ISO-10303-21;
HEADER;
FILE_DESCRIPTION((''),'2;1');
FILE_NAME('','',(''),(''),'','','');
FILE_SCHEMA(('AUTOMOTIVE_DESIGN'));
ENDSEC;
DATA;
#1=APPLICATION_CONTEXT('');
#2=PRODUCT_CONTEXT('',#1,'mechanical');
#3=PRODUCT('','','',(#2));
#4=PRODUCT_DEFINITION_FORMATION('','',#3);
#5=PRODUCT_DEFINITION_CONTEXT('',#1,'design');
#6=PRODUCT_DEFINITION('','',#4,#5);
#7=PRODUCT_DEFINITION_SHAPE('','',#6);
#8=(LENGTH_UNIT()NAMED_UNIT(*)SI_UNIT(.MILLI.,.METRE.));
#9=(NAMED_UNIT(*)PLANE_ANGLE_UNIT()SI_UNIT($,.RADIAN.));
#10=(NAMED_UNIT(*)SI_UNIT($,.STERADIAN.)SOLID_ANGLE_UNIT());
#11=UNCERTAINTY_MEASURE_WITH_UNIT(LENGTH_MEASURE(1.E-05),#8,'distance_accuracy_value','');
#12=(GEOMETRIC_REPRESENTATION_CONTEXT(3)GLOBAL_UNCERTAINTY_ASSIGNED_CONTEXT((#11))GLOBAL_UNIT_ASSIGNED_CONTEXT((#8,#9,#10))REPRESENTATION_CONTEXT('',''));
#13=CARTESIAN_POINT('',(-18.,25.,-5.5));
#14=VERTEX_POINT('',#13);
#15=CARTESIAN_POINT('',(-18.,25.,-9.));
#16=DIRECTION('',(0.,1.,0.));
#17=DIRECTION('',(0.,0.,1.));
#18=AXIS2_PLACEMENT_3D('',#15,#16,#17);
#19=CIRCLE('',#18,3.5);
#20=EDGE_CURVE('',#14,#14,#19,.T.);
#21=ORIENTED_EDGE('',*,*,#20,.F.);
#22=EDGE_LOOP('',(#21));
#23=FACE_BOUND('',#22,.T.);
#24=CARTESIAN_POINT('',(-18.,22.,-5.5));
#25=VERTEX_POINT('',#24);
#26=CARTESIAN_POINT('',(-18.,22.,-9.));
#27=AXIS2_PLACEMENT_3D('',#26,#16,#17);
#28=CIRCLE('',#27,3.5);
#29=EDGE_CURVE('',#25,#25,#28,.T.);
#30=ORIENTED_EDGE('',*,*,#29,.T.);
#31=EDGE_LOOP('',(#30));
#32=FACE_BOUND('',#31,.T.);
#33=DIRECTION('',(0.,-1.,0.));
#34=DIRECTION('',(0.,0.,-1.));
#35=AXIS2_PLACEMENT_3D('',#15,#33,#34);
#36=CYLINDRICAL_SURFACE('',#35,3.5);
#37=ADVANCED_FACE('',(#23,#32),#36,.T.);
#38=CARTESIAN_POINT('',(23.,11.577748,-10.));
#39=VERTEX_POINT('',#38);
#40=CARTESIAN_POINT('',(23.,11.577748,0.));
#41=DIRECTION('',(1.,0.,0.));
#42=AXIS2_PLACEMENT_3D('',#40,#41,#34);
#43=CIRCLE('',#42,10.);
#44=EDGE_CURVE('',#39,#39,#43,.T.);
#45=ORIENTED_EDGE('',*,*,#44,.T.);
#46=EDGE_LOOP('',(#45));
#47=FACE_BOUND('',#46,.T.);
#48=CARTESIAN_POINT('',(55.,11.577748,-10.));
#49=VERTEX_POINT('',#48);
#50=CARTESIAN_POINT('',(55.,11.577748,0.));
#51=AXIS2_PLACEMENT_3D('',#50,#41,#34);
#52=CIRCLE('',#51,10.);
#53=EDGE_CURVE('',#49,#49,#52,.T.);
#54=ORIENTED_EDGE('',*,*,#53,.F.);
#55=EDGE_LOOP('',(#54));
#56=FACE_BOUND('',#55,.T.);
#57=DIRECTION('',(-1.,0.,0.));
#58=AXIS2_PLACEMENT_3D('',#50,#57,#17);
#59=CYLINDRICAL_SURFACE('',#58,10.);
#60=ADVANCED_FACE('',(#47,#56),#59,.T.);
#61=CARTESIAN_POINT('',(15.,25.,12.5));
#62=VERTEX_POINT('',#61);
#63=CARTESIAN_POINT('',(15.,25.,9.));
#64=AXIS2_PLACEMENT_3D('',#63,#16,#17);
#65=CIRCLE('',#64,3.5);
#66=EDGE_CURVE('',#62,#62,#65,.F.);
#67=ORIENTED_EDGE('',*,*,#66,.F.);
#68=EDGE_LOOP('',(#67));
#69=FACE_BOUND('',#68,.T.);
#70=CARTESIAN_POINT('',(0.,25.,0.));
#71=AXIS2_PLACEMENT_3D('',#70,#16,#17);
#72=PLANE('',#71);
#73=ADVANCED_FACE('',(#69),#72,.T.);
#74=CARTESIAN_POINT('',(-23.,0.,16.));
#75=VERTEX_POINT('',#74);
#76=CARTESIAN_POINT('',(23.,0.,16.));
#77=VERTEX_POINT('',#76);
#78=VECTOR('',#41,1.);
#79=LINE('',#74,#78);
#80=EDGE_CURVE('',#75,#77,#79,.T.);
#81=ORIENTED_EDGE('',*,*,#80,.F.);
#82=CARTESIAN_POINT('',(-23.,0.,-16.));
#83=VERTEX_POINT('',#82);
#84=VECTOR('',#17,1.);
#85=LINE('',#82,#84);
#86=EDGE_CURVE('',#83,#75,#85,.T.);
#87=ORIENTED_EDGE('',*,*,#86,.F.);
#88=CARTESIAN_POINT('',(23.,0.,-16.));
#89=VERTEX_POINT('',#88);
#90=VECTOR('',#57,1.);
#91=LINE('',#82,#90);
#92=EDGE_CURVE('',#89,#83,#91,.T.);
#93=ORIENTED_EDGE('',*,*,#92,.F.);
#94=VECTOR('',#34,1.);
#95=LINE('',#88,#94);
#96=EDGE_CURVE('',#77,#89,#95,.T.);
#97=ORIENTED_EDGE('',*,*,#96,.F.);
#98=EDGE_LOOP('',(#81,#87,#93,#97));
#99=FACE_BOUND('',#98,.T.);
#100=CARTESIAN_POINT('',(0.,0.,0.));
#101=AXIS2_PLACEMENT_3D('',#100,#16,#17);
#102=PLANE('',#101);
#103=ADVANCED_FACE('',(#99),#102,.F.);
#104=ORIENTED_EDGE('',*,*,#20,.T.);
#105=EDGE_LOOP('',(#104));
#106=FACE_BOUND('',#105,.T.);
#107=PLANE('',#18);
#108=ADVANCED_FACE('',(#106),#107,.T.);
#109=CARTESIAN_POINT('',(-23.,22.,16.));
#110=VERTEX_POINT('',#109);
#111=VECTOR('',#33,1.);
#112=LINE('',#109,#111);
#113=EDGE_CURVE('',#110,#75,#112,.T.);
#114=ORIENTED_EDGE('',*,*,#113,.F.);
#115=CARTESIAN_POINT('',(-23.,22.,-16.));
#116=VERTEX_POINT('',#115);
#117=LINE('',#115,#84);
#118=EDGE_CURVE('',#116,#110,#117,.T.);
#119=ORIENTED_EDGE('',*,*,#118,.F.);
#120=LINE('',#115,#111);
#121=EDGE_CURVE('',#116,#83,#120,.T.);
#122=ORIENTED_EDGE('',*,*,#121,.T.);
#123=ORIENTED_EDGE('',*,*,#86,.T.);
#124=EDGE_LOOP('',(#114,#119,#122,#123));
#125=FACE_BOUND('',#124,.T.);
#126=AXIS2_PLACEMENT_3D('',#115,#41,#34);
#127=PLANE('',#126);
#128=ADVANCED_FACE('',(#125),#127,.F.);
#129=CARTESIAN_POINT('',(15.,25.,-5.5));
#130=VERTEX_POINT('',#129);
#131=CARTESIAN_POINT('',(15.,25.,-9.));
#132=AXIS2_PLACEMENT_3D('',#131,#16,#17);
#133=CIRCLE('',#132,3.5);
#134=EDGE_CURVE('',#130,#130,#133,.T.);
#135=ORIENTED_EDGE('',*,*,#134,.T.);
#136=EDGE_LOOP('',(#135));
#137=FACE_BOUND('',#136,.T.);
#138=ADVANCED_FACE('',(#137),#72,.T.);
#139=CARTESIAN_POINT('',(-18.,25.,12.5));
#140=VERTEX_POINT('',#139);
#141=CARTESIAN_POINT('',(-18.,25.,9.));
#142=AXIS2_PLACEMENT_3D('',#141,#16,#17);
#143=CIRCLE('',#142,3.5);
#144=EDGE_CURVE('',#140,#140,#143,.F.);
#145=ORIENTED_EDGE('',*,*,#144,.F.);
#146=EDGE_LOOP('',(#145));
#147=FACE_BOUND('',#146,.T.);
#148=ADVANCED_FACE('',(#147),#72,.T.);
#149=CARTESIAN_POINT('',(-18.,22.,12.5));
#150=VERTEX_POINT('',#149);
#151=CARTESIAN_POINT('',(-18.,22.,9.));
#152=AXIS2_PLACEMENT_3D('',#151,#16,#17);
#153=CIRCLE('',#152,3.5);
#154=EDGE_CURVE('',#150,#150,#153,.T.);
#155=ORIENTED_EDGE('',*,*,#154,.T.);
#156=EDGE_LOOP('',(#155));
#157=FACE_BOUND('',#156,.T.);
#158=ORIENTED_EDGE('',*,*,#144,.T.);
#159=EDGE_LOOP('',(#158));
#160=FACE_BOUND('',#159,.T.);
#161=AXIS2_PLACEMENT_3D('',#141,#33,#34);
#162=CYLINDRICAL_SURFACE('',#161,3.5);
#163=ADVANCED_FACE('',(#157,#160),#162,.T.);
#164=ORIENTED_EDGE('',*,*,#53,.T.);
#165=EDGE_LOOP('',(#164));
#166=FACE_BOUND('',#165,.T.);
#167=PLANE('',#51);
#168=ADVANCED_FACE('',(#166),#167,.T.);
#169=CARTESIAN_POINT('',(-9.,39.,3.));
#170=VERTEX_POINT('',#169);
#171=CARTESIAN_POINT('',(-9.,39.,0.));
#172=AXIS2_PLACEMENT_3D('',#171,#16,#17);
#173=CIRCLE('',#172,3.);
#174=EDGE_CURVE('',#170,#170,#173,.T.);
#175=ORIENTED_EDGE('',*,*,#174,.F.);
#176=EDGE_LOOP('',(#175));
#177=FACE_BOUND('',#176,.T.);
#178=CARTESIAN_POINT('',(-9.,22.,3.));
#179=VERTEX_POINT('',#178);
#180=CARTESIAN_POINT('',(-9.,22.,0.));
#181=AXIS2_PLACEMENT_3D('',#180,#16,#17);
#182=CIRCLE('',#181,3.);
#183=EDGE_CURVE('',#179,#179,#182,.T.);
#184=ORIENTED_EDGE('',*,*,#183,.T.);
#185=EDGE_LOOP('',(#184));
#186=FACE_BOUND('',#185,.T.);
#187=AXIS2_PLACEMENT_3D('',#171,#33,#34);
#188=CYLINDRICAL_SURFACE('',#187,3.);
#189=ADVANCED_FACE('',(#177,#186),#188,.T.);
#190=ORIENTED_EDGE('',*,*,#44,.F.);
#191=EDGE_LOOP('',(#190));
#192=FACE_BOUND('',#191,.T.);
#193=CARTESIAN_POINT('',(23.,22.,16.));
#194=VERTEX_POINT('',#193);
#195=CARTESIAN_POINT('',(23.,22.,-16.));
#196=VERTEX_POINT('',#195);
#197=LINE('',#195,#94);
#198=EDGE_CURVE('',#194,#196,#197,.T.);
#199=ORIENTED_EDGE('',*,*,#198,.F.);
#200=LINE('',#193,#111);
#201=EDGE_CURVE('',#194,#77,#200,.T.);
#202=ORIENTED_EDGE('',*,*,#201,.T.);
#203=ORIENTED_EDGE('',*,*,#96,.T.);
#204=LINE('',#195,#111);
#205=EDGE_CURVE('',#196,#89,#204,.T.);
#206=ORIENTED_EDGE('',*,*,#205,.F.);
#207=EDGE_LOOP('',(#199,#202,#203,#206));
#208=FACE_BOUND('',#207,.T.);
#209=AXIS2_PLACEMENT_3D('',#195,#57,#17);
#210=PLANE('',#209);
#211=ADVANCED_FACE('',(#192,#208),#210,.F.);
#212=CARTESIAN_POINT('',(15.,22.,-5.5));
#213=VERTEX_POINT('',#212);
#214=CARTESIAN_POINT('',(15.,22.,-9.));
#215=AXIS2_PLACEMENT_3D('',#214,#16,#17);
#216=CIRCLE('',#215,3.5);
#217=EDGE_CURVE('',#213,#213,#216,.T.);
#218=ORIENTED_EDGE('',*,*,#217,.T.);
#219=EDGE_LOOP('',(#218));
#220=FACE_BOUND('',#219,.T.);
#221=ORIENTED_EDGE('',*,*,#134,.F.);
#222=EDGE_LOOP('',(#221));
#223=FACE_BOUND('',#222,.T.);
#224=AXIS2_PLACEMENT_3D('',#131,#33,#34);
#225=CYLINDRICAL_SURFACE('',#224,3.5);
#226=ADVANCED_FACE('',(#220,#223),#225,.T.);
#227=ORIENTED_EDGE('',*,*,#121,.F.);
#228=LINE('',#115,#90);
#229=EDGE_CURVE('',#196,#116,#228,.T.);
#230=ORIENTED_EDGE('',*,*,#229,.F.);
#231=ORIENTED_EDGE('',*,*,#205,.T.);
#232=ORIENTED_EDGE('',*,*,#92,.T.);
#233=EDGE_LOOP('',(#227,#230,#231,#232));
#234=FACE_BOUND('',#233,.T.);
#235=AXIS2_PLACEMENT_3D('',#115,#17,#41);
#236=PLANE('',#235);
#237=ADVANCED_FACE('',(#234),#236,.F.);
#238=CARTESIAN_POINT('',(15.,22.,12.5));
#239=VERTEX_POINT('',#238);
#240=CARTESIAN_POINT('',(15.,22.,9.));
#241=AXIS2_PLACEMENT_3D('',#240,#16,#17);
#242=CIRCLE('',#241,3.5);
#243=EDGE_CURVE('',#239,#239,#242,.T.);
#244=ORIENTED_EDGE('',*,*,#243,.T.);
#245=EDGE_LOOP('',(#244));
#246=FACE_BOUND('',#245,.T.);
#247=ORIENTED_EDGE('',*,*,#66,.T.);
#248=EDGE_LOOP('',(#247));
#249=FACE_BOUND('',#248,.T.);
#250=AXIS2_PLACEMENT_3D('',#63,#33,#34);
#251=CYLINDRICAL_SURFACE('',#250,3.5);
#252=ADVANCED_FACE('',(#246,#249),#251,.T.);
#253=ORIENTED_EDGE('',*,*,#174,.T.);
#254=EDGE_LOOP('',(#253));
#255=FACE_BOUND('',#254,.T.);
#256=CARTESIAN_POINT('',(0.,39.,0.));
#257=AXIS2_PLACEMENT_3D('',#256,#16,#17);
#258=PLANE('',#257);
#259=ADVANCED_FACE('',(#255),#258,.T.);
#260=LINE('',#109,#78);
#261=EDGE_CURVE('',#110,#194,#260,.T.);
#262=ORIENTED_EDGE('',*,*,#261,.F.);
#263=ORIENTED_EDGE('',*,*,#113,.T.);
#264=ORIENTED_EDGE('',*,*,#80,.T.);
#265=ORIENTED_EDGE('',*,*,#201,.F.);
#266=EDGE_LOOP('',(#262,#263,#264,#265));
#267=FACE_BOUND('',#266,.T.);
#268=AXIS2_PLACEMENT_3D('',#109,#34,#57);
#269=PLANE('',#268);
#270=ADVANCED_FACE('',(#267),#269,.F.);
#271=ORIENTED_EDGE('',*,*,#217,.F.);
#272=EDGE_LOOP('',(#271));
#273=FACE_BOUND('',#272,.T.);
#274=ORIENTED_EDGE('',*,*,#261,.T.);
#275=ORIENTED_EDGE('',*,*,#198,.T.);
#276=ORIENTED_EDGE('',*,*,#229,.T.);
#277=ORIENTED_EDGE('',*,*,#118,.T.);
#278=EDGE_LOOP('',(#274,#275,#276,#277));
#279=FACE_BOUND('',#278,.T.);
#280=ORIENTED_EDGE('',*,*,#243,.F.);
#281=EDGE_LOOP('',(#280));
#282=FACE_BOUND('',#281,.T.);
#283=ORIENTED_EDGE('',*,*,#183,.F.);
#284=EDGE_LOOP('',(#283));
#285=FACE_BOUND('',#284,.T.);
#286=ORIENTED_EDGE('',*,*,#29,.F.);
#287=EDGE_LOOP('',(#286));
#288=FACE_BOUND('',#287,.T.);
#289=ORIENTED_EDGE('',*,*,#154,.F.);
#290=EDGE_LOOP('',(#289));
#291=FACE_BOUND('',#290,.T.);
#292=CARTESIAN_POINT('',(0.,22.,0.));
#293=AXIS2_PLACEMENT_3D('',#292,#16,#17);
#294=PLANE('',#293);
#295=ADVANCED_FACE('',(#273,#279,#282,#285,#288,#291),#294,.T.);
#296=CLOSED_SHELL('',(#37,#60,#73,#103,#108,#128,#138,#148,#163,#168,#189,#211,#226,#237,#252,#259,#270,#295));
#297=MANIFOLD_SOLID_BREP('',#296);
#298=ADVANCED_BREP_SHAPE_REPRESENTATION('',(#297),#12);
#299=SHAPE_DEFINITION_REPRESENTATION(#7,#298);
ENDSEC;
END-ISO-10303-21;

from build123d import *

# Parameters (mm, degrees)
SKETCH1_W           = 46
SKETCH1_H           = 32
BOSS_EXTRUDE1_DEPTH = 22
SKETCH3_R           = 10
BOSS_EXTRUDE3_DEPTH = 32
SKETCH4_R           = 3
BOSS_EXTRUDE4_DEPTH = 17
SKETCH5_R           = 3.5
BOSS_EXTRUDE6_DEPTH = 3


with BuildPart() as part:
    # Sketch1 → Boss-Extrude1 (new body)
    with BuildSketch(Plane(origin=(0, 0, 0), x_dir=(1, 0, 0), z_dir=(0, 1, 0))):
        Rectangle(SKETCH1_W, SKETCH1_H)
    extrude(amount=BOSS_EXTRUDE1_DEPTH)

    # Sketch3 → Boss-Extrude3 (add)
    with BuildSketch(Plane(origin=(23, 0, 0), x_dir=(0, 0, -1), z_dir=(1, 0, 0))):
        with Locations((0, 11.57774751)):
            Circle(SKETCH3_R)
    extrude(amount=BOSS_EXTRUDE3_DEPTH)

    # Sketch4 → Boss-Extrude4 (add)
    with BuildSketch(Plane(origin=(0, 22, 0), x_dir=(1, 0, 0), z_dir=(0, 1, 0))):
        with Locations((-9, 0)):
            Circle(SKETCH4_R)
    extrude(amount=BOSS_EXTRUDE4_DEPTH)

    # Sketch5 → Boss-Extrude6 (add)
    with BuildSketch(Plane(origin=(0, 22, 0), x_dir=(1, 0, 0), z_dir=(0, 1, 0))):
        with Locations((-18, -9)):
            Circle(SKETCH5_R)
        with Locations((15, 9)):
            Circle(SKETCH5_R)
        with Locations((15, -9)):
            Circle(SKETCH5_R)
        with Locations((-18, 9)):
            Circle(SKETCH5_R)
    extrude(amount=BOSS_EXTRUDE6_DEPTH)


solid = part.part
